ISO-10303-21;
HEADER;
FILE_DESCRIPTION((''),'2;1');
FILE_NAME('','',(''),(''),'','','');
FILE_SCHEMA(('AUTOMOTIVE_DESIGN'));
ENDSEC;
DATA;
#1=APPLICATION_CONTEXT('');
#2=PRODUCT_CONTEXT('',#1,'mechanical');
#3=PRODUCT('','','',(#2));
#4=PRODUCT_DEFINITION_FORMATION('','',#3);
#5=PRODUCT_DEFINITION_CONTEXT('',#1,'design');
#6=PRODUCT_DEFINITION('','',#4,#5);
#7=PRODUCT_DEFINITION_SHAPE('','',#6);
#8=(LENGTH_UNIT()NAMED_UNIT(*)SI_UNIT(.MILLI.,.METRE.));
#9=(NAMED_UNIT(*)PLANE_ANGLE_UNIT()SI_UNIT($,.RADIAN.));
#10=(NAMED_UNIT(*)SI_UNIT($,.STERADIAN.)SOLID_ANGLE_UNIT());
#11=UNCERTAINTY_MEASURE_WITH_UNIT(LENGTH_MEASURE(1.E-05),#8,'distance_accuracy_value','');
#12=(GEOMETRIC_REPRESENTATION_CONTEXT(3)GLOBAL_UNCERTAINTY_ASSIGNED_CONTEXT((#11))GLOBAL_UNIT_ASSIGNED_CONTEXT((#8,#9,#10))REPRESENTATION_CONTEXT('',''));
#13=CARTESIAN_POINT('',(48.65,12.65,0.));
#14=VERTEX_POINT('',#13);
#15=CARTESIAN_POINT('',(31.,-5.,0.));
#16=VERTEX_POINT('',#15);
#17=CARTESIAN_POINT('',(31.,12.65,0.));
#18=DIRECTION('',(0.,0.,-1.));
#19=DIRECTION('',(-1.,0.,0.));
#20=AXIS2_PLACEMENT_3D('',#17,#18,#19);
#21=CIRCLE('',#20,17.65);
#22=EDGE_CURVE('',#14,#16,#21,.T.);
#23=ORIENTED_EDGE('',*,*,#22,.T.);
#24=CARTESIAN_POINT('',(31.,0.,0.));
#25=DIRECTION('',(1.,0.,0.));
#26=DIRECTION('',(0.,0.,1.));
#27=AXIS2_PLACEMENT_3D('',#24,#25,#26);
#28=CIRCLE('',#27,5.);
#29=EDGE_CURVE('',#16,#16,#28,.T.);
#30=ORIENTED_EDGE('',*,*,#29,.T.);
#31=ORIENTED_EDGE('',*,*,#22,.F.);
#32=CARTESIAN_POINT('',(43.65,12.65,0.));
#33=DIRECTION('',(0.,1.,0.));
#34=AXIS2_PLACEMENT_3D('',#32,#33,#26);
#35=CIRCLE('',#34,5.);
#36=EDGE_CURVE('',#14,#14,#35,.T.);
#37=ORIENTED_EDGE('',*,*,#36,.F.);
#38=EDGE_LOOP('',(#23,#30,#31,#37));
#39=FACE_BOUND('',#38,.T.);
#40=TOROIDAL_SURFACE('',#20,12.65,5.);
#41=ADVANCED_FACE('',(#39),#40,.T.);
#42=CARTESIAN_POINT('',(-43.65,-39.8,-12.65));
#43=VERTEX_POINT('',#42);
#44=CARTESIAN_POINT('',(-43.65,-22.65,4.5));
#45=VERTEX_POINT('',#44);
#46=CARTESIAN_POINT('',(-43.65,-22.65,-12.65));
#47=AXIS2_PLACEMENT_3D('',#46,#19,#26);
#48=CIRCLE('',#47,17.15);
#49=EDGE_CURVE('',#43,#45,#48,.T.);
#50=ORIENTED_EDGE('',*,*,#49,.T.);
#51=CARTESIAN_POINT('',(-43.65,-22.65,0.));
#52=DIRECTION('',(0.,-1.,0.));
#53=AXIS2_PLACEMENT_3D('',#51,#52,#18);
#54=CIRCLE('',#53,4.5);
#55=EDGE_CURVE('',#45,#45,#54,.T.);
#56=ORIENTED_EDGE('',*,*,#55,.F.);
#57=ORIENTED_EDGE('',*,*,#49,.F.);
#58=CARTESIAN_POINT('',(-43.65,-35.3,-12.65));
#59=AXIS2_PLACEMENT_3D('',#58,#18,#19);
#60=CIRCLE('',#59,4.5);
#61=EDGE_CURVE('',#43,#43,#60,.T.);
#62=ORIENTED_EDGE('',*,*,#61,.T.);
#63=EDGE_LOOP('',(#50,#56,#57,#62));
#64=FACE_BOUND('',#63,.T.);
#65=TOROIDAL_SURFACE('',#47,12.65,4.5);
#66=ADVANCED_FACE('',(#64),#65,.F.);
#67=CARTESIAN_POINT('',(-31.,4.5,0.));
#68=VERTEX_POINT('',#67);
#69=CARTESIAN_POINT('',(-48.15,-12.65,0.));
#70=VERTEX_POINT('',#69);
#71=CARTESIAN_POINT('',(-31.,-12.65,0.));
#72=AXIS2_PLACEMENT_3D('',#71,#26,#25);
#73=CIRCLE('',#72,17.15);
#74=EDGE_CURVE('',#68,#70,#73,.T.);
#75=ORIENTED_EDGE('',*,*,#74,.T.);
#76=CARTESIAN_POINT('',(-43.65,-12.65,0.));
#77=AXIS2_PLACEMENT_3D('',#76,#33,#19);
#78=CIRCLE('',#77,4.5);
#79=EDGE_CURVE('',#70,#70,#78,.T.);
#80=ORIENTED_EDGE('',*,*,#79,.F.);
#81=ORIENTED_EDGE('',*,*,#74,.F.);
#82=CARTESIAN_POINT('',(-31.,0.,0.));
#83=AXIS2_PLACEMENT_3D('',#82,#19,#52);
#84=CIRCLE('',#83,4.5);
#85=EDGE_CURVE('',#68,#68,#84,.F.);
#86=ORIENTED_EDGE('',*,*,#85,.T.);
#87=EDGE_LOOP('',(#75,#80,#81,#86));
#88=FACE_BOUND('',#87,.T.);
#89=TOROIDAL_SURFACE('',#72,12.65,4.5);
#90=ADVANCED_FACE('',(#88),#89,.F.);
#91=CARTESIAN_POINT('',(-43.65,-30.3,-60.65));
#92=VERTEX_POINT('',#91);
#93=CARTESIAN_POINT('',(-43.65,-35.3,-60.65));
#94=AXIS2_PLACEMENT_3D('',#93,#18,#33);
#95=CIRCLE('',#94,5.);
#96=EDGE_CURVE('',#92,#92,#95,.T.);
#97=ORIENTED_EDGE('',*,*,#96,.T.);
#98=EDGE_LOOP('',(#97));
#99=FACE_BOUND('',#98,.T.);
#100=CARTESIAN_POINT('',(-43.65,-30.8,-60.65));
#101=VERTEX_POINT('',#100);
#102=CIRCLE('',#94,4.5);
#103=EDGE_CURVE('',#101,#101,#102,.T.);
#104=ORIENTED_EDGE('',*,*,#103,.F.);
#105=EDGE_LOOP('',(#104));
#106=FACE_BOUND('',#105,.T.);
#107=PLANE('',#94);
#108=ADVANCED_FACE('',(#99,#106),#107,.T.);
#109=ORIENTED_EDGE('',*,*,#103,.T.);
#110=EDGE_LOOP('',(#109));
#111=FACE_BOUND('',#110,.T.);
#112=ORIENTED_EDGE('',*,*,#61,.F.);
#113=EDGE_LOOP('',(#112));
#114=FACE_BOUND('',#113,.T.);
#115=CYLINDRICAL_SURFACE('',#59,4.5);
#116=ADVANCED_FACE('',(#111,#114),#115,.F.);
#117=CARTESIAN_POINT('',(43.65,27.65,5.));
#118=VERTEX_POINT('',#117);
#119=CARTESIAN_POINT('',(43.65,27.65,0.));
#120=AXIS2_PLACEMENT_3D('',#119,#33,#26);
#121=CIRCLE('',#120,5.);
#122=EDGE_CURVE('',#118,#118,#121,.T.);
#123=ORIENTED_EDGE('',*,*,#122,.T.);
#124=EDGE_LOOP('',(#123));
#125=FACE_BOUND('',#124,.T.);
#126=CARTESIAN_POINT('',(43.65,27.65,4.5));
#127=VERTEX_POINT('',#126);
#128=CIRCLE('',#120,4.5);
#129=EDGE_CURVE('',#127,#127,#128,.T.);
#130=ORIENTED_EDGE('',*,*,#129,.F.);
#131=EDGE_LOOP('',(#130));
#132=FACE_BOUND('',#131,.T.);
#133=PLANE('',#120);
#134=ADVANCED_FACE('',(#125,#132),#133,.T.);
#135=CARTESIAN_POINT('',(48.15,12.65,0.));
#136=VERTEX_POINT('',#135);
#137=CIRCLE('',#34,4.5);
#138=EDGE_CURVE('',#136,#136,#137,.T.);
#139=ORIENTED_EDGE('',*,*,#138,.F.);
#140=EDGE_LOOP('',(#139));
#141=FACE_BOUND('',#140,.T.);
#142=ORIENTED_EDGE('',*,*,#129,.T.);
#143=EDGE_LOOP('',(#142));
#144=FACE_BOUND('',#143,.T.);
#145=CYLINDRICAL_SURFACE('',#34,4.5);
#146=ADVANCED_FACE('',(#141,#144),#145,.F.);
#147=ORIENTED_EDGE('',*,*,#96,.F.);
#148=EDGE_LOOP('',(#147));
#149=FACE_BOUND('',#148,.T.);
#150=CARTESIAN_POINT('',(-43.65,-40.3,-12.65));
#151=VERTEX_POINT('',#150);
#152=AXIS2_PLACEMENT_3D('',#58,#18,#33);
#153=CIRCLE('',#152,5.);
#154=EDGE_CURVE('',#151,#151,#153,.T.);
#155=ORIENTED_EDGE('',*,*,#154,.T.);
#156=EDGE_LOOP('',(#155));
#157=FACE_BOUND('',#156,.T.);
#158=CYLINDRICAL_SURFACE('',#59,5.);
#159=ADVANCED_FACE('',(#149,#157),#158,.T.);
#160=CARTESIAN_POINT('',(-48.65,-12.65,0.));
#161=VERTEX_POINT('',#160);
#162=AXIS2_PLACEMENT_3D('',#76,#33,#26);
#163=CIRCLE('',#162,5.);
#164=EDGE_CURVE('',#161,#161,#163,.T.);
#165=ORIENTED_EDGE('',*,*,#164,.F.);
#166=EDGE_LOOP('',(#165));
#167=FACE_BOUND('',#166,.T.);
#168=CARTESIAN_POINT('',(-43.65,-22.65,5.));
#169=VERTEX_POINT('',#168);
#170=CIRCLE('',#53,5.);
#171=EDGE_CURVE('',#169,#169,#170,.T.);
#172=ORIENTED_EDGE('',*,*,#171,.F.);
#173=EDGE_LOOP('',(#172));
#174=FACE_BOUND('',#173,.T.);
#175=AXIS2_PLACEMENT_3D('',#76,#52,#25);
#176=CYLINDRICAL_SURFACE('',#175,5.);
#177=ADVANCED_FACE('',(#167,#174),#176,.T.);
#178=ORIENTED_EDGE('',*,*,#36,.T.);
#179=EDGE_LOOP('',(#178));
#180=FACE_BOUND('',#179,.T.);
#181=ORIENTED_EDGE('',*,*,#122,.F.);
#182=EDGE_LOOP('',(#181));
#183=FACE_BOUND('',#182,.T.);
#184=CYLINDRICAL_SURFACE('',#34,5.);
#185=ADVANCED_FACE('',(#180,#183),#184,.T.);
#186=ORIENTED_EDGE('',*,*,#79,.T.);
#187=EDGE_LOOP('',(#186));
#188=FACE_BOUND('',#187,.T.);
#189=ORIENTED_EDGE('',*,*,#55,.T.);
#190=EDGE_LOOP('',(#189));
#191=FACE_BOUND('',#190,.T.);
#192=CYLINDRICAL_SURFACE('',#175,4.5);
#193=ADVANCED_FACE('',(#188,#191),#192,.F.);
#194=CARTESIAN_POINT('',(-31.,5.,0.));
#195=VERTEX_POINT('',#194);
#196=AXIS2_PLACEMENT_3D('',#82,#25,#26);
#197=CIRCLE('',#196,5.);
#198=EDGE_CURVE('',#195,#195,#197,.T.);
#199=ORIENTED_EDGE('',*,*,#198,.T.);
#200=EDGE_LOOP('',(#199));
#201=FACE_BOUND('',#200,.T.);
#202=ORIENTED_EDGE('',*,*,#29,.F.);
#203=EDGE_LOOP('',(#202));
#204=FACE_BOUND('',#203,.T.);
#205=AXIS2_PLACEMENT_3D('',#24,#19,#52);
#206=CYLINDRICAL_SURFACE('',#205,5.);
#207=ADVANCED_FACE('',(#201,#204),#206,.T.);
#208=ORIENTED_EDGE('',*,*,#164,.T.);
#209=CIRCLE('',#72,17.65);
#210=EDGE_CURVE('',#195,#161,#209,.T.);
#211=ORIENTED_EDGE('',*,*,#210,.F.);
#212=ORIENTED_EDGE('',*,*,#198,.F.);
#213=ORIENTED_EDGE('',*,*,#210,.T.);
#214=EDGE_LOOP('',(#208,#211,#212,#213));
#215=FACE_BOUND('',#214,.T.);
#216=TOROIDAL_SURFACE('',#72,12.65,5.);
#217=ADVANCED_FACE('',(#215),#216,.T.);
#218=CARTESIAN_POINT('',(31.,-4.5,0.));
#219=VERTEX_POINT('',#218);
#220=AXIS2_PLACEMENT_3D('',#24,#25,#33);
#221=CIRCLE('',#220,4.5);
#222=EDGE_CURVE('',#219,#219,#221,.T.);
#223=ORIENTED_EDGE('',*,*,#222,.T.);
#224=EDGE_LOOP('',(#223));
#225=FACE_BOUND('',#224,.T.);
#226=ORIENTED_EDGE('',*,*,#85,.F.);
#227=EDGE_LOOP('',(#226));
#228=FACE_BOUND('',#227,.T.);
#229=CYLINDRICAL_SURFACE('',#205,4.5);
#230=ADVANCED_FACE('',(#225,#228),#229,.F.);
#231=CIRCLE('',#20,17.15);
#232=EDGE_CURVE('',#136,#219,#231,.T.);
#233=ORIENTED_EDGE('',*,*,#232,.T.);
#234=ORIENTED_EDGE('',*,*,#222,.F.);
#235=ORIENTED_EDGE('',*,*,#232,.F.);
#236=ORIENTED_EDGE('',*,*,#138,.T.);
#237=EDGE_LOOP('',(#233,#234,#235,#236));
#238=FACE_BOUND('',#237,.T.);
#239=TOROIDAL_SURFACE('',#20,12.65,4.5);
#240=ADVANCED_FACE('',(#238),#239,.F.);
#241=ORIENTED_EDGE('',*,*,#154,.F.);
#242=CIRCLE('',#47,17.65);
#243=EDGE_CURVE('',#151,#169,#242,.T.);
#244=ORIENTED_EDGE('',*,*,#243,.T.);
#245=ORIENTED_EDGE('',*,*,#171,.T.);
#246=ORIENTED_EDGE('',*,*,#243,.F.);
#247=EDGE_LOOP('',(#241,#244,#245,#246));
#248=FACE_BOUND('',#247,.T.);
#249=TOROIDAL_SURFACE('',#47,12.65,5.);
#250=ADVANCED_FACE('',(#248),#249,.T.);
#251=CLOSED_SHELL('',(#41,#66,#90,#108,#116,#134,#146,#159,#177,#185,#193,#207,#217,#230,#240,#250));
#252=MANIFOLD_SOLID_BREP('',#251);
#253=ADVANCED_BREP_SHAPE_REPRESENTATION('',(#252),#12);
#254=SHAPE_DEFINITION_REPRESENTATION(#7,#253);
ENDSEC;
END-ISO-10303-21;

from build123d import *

# Parameters (mm, degrees)
SKETCH2_R = 5
SKETCH6_R = 5
SHELL1_T  = -0.5


with BuildPart() as part:
    # Sweep2: sweep along a path in Sketch1
    with BuildLine(Plane.XY) as sweep2_path:
        Line((43.65, 27.65), (43.65, 12.65))
        ThreePointArc((43.65, 12.65), (39.944900782, 3.705099218), (31, 0))
        Line((31, 0), (-31, 0))
        ThreePointArc((-31, 0), (-39.944900782, -3.705099218), (-43.65, -12.65))
        Line((-43.65, -12.65), (-43.65, -22.65))
    # Sketch2 → Sweep2 (sweep)
    with BuildSketch(Plane(origin=(0, 27.65, 0), x_dir=(1, 0, 0), z_dir=(0, 1, 0))):
        with Locations((43.65, 0)):
            Circle(SKETCH2_R)
    sweep(path=sweep2_path.line)

    # Sweep3: sweep along a path in Sketch5
    with BuildLine(Plane(origin=(-43.65, 0, 0), x_dir=(0, 0, -1), z_dir=(1, 0, 0))) as sweep3_path:
        ThreePointArc((0, -22.65), (3.705099218, -31.594900782), (12.65, -35.3))
        Line((12.65, -35.3), (60.65, -35.3))
    # Sketch6 → Sweep3 (sweep)
    with BuildSketch(Plane.XZ.offset(22.65)):
        with Locations((-43.65, 0)):
            Circle(SKETCH6_R)
    sweep(path=sweep3_path.line)

    # Shell1
    shell1_openings = [part.faces().sort_by_distance(p)[0] for p in [
        (-43.65, -35.3, -60.65),
        (43.65, 27.65, 0),
    ]]
    offset(amount=SHELL1_T, openings=shell1_openings, kind=Kind.INTERSECTION)


solid = part.part
